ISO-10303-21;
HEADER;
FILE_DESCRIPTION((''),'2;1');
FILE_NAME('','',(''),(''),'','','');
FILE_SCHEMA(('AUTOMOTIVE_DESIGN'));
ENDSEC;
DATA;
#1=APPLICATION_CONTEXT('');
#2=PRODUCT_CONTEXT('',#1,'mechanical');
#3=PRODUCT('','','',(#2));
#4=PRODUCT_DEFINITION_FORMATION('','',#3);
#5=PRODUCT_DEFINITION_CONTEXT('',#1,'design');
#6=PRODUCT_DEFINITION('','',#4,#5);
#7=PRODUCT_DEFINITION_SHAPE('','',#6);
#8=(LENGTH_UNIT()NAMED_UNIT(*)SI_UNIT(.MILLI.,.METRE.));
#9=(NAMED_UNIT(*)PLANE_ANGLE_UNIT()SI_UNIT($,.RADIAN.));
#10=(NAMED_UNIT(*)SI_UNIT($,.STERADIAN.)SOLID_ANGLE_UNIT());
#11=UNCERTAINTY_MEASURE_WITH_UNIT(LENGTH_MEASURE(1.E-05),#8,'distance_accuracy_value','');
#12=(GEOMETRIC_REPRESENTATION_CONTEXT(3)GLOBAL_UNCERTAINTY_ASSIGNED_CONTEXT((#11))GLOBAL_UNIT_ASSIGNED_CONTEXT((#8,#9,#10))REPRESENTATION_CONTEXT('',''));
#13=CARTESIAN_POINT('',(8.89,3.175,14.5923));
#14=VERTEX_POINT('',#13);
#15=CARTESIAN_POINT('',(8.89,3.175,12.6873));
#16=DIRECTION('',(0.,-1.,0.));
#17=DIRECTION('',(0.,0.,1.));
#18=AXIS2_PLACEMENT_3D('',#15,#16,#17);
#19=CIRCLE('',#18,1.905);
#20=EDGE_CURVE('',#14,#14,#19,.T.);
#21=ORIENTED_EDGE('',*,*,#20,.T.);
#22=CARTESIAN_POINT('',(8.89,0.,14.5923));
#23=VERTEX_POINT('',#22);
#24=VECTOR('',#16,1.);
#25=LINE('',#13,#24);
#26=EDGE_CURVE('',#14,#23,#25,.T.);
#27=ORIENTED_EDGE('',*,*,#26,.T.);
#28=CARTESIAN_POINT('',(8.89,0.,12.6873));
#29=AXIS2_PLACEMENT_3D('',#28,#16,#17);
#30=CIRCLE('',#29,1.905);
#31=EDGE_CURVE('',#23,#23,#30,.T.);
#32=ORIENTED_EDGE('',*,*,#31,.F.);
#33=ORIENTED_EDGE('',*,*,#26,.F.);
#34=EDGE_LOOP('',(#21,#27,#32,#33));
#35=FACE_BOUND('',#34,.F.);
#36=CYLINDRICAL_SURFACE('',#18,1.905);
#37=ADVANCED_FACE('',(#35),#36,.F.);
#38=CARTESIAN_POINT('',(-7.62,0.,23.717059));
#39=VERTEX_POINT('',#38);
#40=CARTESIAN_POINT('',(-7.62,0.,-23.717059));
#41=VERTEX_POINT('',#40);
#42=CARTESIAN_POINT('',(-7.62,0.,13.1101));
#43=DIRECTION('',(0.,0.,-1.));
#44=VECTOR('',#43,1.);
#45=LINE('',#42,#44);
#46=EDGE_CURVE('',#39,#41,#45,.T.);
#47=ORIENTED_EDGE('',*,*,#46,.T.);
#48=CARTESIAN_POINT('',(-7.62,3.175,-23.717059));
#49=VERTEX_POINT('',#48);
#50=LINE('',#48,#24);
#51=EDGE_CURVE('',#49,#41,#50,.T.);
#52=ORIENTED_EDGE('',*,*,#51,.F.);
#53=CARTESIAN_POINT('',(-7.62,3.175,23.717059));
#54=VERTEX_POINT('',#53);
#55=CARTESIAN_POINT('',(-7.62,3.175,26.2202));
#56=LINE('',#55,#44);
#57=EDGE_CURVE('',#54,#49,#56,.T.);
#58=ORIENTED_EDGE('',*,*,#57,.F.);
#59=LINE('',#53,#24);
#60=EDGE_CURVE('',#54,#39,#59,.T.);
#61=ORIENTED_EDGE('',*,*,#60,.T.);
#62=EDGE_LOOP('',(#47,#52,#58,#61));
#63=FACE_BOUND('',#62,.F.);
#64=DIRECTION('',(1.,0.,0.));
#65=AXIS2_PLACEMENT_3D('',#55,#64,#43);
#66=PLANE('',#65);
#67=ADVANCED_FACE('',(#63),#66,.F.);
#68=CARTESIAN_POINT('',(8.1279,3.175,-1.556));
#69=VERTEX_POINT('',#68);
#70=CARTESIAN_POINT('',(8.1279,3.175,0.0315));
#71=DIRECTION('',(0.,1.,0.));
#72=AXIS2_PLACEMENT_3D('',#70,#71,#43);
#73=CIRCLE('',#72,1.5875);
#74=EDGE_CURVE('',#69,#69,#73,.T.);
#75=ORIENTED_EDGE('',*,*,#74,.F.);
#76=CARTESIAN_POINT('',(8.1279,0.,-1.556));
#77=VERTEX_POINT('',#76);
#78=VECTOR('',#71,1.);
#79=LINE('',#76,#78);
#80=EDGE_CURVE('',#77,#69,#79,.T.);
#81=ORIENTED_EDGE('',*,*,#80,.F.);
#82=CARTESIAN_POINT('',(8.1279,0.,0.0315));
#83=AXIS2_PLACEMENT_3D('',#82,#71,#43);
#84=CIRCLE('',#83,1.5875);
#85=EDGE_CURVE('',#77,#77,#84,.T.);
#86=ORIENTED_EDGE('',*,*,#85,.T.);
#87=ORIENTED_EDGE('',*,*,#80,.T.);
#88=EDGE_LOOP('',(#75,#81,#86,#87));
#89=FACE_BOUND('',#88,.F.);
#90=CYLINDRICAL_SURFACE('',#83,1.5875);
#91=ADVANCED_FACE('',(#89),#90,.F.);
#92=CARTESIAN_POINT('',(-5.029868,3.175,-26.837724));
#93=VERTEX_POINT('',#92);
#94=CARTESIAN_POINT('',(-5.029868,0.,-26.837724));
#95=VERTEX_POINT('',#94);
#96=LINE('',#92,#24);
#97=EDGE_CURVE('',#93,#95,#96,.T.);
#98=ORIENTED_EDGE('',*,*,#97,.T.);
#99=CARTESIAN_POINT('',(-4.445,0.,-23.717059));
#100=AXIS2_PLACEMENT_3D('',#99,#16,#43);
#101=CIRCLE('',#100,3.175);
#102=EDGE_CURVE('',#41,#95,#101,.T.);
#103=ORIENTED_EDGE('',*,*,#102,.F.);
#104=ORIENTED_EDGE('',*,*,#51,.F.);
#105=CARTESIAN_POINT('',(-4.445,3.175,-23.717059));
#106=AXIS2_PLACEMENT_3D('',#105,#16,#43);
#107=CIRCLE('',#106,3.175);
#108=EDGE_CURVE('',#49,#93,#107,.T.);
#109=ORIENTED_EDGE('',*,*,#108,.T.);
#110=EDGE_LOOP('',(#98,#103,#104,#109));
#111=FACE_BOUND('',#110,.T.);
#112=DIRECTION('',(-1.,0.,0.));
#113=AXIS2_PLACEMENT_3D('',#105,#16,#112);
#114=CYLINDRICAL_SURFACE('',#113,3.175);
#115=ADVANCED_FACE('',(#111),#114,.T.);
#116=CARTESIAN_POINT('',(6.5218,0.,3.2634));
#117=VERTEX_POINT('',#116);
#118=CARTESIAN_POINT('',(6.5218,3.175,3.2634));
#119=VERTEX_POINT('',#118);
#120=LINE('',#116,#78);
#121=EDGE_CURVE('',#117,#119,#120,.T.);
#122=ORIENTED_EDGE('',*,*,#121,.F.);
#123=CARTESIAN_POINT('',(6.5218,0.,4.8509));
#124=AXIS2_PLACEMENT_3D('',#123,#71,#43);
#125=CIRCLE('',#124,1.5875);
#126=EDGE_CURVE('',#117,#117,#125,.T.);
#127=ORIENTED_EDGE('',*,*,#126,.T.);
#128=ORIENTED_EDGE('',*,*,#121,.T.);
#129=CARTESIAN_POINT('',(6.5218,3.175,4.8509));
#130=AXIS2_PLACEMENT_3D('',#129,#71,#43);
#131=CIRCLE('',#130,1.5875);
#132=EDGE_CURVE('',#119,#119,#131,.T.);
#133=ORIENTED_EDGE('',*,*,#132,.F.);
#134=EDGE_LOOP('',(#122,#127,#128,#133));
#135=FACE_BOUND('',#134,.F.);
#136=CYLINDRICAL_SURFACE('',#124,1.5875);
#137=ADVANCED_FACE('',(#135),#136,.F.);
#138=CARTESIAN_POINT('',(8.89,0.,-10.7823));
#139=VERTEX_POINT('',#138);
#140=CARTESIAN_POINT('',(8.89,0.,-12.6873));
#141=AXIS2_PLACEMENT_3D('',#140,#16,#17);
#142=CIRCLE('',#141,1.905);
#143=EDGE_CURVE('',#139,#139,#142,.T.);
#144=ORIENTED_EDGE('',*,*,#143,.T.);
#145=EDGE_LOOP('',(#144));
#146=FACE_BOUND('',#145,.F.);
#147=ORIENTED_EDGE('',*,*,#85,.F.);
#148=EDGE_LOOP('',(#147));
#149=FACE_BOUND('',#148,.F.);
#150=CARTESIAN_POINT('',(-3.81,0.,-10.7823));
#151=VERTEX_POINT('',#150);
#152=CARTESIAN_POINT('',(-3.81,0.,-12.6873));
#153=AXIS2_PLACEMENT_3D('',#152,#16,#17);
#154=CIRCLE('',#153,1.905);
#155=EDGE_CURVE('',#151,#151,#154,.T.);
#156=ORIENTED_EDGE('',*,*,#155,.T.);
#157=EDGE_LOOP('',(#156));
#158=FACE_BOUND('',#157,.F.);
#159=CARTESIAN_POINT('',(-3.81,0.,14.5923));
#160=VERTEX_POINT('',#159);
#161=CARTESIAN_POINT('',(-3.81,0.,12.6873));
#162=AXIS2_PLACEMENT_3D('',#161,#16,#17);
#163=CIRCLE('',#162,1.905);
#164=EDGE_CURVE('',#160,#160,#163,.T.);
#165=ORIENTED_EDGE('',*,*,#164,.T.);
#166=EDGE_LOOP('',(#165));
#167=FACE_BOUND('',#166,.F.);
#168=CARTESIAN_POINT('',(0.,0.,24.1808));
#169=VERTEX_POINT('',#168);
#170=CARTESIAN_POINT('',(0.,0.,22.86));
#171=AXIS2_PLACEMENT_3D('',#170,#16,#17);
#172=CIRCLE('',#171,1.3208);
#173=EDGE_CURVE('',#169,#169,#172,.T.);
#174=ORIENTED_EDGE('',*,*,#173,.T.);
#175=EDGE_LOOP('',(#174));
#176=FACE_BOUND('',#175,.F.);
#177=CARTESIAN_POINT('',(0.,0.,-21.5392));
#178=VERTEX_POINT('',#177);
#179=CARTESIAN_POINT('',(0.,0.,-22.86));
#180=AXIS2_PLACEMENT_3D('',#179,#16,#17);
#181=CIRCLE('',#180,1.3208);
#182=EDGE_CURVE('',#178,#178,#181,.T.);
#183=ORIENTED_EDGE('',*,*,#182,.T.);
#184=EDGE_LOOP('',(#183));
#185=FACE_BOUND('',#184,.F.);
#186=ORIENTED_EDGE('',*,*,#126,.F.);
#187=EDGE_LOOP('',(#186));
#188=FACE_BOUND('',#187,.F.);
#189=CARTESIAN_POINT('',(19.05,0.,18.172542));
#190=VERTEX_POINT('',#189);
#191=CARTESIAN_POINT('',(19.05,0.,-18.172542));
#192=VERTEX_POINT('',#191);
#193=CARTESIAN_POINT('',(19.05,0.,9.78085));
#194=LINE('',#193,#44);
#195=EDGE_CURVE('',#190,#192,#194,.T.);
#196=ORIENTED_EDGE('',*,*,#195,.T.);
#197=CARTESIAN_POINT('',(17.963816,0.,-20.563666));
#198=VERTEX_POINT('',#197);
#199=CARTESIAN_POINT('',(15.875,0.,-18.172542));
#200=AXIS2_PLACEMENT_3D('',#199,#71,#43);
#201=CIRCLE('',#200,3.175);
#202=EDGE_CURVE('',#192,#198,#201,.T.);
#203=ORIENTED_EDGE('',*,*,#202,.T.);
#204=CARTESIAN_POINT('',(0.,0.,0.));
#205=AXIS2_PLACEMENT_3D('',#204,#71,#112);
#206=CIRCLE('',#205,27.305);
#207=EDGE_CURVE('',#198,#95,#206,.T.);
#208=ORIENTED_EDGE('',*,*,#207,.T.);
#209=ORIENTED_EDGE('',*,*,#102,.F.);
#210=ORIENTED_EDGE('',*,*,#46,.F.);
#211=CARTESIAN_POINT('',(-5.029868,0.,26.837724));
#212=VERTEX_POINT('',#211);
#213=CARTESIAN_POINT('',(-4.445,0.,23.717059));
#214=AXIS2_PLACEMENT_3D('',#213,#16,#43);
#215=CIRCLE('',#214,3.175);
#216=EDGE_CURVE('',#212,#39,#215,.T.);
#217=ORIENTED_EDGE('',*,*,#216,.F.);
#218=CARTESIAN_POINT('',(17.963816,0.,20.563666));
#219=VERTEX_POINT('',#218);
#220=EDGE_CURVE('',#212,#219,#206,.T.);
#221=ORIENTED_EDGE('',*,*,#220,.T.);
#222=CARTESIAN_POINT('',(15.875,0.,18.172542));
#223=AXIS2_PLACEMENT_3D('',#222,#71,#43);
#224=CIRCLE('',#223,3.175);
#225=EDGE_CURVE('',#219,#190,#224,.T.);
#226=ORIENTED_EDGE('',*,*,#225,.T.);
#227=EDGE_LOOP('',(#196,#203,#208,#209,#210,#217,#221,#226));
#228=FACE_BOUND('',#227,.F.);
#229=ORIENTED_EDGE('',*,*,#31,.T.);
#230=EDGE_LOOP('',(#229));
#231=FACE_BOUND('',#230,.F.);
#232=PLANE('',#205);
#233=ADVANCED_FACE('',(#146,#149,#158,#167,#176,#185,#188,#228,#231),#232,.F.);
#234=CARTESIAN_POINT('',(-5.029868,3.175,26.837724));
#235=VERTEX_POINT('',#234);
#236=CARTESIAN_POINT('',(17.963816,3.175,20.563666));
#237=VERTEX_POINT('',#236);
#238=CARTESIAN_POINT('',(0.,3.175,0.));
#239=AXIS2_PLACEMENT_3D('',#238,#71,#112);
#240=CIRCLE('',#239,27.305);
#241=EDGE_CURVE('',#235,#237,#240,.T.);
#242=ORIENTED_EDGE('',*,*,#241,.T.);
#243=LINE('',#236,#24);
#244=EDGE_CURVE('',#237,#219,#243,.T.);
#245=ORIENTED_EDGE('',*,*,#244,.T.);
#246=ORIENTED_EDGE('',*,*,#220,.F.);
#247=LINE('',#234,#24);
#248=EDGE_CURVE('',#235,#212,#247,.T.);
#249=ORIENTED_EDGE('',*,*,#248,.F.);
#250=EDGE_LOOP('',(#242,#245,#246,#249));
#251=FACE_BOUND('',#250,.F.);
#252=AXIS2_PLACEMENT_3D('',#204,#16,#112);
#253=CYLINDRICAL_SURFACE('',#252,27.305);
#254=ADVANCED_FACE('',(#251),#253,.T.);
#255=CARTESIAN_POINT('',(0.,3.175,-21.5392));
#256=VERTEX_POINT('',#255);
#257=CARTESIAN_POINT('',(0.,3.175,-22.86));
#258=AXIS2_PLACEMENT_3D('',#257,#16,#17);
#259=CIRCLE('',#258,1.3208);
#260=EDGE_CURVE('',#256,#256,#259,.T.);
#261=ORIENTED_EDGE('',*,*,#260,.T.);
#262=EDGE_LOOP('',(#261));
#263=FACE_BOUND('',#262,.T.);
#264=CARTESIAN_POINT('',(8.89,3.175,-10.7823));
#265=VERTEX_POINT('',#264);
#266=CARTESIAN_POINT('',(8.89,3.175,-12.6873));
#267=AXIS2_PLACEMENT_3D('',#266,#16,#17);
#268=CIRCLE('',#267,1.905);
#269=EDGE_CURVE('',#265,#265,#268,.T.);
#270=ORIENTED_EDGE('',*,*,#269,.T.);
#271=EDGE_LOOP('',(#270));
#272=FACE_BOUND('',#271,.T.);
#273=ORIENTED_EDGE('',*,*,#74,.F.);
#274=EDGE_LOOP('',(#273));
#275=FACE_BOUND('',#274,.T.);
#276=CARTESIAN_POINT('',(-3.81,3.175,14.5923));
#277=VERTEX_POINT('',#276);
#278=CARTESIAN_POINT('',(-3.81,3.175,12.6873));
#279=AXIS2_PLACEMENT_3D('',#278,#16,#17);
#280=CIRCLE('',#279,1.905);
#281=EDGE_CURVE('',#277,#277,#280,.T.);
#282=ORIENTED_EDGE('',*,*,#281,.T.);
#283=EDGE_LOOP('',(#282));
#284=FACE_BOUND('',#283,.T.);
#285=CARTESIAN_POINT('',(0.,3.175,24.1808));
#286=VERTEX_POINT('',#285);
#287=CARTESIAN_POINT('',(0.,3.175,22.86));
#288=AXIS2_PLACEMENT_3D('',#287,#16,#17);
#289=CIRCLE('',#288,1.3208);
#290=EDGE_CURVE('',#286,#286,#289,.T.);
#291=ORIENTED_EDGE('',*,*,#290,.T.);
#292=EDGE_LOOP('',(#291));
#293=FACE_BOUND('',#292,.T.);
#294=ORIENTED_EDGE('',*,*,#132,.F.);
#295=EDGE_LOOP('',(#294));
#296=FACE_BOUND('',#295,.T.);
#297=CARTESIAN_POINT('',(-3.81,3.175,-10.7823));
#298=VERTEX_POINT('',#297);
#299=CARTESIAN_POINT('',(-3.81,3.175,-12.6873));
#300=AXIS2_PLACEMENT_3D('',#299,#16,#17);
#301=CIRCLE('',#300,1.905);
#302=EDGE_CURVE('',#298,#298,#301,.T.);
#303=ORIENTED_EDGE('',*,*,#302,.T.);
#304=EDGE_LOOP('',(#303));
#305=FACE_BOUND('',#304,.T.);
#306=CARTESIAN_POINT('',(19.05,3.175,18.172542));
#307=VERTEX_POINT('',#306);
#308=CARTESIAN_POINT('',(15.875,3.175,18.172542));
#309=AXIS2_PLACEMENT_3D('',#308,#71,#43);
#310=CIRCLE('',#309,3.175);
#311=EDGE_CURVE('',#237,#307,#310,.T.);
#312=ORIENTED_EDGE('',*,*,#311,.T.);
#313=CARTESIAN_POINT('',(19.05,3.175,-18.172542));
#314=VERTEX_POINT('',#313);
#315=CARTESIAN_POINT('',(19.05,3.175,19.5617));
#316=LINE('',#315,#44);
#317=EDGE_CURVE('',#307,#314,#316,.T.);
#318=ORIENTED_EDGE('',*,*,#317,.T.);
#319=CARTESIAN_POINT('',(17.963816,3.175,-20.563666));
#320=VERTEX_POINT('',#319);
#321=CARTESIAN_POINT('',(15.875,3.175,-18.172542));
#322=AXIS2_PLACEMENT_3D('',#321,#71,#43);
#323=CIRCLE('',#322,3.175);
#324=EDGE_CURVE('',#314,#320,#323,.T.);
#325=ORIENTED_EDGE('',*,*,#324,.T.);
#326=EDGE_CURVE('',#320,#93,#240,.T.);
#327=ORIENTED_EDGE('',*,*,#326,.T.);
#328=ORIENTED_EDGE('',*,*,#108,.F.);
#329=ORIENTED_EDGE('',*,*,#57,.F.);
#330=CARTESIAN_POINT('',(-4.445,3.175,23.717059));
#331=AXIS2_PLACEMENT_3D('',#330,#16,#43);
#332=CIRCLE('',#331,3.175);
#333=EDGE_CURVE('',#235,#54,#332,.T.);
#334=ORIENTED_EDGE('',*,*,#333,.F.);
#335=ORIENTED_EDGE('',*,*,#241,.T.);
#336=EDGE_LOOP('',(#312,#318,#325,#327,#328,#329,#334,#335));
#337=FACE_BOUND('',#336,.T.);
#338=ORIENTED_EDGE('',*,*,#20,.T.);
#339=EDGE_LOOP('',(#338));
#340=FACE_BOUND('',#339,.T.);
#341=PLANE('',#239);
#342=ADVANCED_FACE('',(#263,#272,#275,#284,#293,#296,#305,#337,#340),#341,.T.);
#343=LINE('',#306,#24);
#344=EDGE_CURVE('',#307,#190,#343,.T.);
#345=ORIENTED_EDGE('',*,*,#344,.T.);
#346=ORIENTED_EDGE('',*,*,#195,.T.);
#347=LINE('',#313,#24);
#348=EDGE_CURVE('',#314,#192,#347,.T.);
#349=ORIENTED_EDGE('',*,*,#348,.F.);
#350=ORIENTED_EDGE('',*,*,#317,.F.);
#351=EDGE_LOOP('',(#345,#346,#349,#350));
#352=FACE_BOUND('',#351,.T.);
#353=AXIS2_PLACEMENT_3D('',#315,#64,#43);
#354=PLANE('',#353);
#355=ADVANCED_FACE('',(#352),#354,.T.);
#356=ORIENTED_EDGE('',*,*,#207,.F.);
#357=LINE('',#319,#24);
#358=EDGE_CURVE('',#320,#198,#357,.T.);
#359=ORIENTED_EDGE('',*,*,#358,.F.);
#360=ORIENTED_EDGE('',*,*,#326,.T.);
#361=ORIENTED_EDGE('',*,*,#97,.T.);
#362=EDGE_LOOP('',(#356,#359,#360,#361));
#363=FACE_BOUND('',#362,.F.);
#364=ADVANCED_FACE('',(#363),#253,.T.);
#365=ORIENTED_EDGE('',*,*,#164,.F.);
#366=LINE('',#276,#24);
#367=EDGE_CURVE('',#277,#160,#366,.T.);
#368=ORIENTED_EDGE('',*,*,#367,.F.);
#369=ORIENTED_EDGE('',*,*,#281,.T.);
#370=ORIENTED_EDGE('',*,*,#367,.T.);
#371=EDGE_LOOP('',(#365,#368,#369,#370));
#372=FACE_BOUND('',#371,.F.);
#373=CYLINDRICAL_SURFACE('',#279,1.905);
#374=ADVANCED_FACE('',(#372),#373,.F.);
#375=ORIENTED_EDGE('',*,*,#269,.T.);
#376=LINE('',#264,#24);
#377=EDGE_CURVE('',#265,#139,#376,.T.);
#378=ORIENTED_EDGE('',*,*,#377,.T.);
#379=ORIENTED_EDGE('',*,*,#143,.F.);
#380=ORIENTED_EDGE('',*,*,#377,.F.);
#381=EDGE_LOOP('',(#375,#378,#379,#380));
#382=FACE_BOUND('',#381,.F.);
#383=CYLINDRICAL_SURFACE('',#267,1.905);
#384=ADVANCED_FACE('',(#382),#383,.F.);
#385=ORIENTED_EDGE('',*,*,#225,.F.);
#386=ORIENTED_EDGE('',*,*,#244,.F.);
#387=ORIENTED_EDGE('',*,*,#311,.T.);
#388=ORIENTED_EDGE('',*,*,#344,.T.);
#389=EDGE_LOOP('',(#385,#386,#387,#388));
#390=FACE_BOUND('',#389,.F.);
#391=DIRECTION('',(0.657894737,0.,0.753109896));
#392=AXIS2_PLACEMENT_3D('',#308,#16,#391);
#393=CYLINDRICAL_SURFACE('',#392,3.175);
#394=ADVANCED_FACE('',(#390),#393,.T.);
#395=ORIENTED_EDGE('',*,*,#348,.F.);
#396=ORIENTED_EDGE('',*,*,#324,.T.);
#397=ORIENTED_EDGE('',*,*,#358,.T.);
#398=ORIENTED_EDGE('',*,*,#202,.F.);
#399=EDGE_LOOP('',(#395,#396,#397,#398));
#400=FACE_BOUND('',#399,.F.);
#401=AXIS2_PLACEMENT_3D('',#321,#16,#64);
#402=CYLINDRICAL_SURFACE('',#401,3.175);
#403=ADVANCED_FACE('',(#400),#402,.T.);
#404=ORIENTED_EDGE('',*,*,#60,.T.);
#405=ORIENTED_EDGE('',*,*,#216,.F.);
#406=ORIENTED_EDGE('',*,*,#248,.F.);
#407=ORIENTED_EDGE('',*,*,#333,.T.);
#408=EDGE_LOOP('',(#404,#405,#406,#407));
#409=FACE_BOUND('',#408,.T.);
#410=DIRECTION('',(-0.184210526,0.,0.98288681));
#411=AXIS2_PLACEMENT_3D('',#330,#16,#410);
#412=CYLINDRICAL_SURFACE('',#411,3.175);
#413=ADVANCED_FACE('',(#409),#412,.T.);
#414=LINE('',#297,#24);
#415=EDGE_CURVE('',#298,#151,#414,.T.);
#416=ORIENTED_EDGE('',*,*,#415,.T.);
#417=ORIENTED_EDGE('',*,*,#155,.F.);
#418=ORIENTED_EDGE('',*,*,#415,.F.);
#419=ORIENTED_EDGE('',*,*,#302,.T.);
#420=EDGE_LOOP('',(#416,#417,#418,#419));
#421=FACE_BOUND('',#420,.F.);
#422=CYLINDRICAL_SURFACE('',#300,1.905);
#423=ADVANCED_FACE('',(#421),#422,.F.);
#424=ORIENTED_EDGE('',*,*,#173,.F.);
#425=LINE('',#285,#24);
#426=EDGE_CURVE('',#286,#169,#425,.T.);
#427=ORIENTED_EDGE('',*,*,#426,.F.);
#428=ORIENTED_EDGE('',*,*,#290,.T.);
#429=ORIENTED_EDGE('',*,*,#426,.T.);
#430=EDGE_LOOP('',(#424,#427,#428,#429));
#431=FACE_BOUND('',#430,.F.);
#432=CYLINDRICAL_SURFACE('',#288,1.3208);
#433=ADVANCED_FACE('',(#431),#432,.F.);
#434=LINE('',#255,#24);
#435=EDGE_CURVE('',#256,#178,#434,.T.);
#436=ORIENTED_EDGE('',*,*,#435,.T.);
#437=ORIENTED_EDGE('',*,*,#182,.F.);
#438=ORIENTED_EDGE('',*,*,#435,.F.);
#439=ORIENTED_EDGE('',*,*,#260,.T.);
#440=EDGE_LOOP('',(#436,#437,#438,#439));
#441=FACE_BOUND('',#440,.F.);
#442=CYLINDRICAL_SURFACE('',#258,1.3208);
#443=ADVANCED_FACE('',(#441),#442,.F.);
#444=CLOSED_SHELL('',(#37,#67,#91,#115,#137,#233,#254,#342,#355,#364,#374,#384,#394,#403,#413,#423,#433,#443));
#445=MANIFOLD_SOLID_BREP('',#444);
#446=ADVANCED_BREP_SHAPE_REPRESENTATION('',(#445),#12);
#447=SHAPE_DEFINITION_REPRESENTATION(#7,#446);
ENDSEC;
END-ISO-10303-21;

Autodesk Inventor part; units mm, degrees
ref_plane "YZ Plane" through (0, 0, 0) normal (1, 0, 0) x (0, 1, 0)
ref_plane "XZ Plane" through (0, 0, 0) normal (0, 1, 0) x (-1, 0, 0)
ref_plane "XY Plane" through (0, 0, 0) normal (0, 0, 1) x (1, 0, 0)
sketch "Sketch1" plane through (0, 0, 0) normal (0, 1, 0) x (-1, 0, 0)
  circle A0 centre (0, 0) radius 27.305
  dimension "d85" = 54.61
extrude "Extrusion1" add sketch "Sketch1" along normal blind 3.175
sketch "Sketch2" plane through (0, 3.175, 0) normal (0, 1, 0) x (1, 0, 0)
  circle A0 centre (0, -22.86) radius 1.905
  circle A1 centre (0, 22.86) radius 1.905
  circle A2 centre (0, 0) radius 3.4925
  circle A3 centre (0, 0) radius 27.305 projected
  line L0 (0, 0) -> (0, -35.2816) construction
  line L1 (0, 0) -> (-33.3398, 0) construction
  circle A4 centre (0, -22.86) radius 4.7625
  dimension "d105" = 6.985
  dimension "d107" = 3.81
  dimension "d109" = 3.81
  dimension "d147" = 0
  dimension "d148" = 0
  dimension "d149" = 22.86
  dimension "d150" = 22.86
  dimension "d151" = 9.525
sketch "Sketch3" plane through (0, 0, 0) normal (0, -1, 0) x (1, 0, 0)
  line L0 (-12.7, -4.445) -> (-2.54, -4.445)
  line L1 (-2.54, -4.445) -> (-2.54, 4.445)
  line L2 (-2.54, 4.445) -> (-12.7, 4.445)
  line L3 (-12.7, 4.445) -> (-12.7, -4.445)
  line L4 (-38.227, 0) -> (38.227, 0) projected
  line L5 (0, -38.227) -> (0, 38.227) projected
  point P0 (0, 0)
  dimension "d116" = 10.16
  dimension "d125" = 8.89
  dimension "d126" = 12.7
extrude "Extrusion3" [suppressed]
fillet "Fillet1" [suppressed]
sketch "Sketch4" plane through (0, 3.175, 0) normal (0, 1, 0) x (1, 0, 0)
  circle A0 centre (0, 0) radius 27.305 projected
  line L0 (-7.62, -26.2202) -> (-7.62, 26.2202)
  line L1 (19.05, -19.5617) -> (19.05, 19.5617)
  dimension "d121" = 7.62
  dimension "d122" = 19.05
extrude "Extrusion4" cut sketch "Sketch4" against normal through all contours A0 L1 | L0 A0
hole "Hole10" at (0, 3.175, -22.86) at (0, 3.175, 22.86) direction (0, -1, 0) diameter 2.6416 end through all thread size "6-32 UNC" class "2B" standard "ANSI Unified Screw Threads"
sketch "Sketch5" plane through (0, 3.175, 0) normal (0, 1, 0) x (1, 0, 0)
  line L0 (0, 0) -> (23.5566, 0) construction
  line L1 (19.05, -19.5617) -> (19.05, 19.5617) projected
  point P0 (8.89, 12.6873)
  point P1 (8.89, -12.6873)
  point P2 (-3.81, -12.6873)
  point P3 (-3.81, 12.6873)
  dimension "d136" = 25.3746
  dimension "d137" = 12.7
  dimension "d146" = 22.86
  dimension "d160" = 22.86
  dimension "d161" = 10.16
hole "Hole11" at (8.89, 3.175, -12.6873) at (8.89, 3.175, 12.6873) at (-3.81, 3.175, 12.6873) at (-3.81, 3.175, -12.6873) direction (0, -1, 0) diameter 3.81 depth 25.4 tip angle 118 clearance for "Flat Head Machine Screw (82)" size "#6" standard "Ansi Unified Screw Threads"
sketch "Sketch6" plane through (0, 0, 0) normal (0, -1, 0) x (1, 0, 0)
  circle A0 centre (8.1279, 0.0315) radius 1.5875 projected
  circle A1 centre (6.5218, 4.8509) radius 1.5875 projected
  circle A2 centre (8.1279, 0.0315) radius 1.5875 projected
  line L0 (-0.8446, 5.1702) -> (-2.5619, 10.3231) projected
  arc A3 (4.1433, -9.7961) -> (-2.5619, 10.3231) centre (0, 0) ccw projected
  line L1 (4.1433, -9.7961) -> (2.426, -4.6432) projected
  arc A4 (2.426, -4.6432) -> (-0.8446, 5.1702) centre (0, 0) ccw projected
  point P0 (0, 0)
hole "Hole12" at (8.1279, 0, 0.0315) at (6.5218, 0, 4.8509) direction (0, 1, 0) diameter 3.175 end through all
fillet "Fillet2" radius 3.175 4 edges at (-7.62, 1.5875, 26.2202) (-7.62, 1.5875, -26.2202) (19.05, 1.5875, 19.5617) (19.05, 1.5875, -19.5617)
equation "\"d107\" = d106"
equation "\"d109\" = d106"
equation "\"d150\" = d149"
equation "\"d106\" = 3.81"
properties part number "Shield_3_Ground_v4" material "Stainless Steel"
